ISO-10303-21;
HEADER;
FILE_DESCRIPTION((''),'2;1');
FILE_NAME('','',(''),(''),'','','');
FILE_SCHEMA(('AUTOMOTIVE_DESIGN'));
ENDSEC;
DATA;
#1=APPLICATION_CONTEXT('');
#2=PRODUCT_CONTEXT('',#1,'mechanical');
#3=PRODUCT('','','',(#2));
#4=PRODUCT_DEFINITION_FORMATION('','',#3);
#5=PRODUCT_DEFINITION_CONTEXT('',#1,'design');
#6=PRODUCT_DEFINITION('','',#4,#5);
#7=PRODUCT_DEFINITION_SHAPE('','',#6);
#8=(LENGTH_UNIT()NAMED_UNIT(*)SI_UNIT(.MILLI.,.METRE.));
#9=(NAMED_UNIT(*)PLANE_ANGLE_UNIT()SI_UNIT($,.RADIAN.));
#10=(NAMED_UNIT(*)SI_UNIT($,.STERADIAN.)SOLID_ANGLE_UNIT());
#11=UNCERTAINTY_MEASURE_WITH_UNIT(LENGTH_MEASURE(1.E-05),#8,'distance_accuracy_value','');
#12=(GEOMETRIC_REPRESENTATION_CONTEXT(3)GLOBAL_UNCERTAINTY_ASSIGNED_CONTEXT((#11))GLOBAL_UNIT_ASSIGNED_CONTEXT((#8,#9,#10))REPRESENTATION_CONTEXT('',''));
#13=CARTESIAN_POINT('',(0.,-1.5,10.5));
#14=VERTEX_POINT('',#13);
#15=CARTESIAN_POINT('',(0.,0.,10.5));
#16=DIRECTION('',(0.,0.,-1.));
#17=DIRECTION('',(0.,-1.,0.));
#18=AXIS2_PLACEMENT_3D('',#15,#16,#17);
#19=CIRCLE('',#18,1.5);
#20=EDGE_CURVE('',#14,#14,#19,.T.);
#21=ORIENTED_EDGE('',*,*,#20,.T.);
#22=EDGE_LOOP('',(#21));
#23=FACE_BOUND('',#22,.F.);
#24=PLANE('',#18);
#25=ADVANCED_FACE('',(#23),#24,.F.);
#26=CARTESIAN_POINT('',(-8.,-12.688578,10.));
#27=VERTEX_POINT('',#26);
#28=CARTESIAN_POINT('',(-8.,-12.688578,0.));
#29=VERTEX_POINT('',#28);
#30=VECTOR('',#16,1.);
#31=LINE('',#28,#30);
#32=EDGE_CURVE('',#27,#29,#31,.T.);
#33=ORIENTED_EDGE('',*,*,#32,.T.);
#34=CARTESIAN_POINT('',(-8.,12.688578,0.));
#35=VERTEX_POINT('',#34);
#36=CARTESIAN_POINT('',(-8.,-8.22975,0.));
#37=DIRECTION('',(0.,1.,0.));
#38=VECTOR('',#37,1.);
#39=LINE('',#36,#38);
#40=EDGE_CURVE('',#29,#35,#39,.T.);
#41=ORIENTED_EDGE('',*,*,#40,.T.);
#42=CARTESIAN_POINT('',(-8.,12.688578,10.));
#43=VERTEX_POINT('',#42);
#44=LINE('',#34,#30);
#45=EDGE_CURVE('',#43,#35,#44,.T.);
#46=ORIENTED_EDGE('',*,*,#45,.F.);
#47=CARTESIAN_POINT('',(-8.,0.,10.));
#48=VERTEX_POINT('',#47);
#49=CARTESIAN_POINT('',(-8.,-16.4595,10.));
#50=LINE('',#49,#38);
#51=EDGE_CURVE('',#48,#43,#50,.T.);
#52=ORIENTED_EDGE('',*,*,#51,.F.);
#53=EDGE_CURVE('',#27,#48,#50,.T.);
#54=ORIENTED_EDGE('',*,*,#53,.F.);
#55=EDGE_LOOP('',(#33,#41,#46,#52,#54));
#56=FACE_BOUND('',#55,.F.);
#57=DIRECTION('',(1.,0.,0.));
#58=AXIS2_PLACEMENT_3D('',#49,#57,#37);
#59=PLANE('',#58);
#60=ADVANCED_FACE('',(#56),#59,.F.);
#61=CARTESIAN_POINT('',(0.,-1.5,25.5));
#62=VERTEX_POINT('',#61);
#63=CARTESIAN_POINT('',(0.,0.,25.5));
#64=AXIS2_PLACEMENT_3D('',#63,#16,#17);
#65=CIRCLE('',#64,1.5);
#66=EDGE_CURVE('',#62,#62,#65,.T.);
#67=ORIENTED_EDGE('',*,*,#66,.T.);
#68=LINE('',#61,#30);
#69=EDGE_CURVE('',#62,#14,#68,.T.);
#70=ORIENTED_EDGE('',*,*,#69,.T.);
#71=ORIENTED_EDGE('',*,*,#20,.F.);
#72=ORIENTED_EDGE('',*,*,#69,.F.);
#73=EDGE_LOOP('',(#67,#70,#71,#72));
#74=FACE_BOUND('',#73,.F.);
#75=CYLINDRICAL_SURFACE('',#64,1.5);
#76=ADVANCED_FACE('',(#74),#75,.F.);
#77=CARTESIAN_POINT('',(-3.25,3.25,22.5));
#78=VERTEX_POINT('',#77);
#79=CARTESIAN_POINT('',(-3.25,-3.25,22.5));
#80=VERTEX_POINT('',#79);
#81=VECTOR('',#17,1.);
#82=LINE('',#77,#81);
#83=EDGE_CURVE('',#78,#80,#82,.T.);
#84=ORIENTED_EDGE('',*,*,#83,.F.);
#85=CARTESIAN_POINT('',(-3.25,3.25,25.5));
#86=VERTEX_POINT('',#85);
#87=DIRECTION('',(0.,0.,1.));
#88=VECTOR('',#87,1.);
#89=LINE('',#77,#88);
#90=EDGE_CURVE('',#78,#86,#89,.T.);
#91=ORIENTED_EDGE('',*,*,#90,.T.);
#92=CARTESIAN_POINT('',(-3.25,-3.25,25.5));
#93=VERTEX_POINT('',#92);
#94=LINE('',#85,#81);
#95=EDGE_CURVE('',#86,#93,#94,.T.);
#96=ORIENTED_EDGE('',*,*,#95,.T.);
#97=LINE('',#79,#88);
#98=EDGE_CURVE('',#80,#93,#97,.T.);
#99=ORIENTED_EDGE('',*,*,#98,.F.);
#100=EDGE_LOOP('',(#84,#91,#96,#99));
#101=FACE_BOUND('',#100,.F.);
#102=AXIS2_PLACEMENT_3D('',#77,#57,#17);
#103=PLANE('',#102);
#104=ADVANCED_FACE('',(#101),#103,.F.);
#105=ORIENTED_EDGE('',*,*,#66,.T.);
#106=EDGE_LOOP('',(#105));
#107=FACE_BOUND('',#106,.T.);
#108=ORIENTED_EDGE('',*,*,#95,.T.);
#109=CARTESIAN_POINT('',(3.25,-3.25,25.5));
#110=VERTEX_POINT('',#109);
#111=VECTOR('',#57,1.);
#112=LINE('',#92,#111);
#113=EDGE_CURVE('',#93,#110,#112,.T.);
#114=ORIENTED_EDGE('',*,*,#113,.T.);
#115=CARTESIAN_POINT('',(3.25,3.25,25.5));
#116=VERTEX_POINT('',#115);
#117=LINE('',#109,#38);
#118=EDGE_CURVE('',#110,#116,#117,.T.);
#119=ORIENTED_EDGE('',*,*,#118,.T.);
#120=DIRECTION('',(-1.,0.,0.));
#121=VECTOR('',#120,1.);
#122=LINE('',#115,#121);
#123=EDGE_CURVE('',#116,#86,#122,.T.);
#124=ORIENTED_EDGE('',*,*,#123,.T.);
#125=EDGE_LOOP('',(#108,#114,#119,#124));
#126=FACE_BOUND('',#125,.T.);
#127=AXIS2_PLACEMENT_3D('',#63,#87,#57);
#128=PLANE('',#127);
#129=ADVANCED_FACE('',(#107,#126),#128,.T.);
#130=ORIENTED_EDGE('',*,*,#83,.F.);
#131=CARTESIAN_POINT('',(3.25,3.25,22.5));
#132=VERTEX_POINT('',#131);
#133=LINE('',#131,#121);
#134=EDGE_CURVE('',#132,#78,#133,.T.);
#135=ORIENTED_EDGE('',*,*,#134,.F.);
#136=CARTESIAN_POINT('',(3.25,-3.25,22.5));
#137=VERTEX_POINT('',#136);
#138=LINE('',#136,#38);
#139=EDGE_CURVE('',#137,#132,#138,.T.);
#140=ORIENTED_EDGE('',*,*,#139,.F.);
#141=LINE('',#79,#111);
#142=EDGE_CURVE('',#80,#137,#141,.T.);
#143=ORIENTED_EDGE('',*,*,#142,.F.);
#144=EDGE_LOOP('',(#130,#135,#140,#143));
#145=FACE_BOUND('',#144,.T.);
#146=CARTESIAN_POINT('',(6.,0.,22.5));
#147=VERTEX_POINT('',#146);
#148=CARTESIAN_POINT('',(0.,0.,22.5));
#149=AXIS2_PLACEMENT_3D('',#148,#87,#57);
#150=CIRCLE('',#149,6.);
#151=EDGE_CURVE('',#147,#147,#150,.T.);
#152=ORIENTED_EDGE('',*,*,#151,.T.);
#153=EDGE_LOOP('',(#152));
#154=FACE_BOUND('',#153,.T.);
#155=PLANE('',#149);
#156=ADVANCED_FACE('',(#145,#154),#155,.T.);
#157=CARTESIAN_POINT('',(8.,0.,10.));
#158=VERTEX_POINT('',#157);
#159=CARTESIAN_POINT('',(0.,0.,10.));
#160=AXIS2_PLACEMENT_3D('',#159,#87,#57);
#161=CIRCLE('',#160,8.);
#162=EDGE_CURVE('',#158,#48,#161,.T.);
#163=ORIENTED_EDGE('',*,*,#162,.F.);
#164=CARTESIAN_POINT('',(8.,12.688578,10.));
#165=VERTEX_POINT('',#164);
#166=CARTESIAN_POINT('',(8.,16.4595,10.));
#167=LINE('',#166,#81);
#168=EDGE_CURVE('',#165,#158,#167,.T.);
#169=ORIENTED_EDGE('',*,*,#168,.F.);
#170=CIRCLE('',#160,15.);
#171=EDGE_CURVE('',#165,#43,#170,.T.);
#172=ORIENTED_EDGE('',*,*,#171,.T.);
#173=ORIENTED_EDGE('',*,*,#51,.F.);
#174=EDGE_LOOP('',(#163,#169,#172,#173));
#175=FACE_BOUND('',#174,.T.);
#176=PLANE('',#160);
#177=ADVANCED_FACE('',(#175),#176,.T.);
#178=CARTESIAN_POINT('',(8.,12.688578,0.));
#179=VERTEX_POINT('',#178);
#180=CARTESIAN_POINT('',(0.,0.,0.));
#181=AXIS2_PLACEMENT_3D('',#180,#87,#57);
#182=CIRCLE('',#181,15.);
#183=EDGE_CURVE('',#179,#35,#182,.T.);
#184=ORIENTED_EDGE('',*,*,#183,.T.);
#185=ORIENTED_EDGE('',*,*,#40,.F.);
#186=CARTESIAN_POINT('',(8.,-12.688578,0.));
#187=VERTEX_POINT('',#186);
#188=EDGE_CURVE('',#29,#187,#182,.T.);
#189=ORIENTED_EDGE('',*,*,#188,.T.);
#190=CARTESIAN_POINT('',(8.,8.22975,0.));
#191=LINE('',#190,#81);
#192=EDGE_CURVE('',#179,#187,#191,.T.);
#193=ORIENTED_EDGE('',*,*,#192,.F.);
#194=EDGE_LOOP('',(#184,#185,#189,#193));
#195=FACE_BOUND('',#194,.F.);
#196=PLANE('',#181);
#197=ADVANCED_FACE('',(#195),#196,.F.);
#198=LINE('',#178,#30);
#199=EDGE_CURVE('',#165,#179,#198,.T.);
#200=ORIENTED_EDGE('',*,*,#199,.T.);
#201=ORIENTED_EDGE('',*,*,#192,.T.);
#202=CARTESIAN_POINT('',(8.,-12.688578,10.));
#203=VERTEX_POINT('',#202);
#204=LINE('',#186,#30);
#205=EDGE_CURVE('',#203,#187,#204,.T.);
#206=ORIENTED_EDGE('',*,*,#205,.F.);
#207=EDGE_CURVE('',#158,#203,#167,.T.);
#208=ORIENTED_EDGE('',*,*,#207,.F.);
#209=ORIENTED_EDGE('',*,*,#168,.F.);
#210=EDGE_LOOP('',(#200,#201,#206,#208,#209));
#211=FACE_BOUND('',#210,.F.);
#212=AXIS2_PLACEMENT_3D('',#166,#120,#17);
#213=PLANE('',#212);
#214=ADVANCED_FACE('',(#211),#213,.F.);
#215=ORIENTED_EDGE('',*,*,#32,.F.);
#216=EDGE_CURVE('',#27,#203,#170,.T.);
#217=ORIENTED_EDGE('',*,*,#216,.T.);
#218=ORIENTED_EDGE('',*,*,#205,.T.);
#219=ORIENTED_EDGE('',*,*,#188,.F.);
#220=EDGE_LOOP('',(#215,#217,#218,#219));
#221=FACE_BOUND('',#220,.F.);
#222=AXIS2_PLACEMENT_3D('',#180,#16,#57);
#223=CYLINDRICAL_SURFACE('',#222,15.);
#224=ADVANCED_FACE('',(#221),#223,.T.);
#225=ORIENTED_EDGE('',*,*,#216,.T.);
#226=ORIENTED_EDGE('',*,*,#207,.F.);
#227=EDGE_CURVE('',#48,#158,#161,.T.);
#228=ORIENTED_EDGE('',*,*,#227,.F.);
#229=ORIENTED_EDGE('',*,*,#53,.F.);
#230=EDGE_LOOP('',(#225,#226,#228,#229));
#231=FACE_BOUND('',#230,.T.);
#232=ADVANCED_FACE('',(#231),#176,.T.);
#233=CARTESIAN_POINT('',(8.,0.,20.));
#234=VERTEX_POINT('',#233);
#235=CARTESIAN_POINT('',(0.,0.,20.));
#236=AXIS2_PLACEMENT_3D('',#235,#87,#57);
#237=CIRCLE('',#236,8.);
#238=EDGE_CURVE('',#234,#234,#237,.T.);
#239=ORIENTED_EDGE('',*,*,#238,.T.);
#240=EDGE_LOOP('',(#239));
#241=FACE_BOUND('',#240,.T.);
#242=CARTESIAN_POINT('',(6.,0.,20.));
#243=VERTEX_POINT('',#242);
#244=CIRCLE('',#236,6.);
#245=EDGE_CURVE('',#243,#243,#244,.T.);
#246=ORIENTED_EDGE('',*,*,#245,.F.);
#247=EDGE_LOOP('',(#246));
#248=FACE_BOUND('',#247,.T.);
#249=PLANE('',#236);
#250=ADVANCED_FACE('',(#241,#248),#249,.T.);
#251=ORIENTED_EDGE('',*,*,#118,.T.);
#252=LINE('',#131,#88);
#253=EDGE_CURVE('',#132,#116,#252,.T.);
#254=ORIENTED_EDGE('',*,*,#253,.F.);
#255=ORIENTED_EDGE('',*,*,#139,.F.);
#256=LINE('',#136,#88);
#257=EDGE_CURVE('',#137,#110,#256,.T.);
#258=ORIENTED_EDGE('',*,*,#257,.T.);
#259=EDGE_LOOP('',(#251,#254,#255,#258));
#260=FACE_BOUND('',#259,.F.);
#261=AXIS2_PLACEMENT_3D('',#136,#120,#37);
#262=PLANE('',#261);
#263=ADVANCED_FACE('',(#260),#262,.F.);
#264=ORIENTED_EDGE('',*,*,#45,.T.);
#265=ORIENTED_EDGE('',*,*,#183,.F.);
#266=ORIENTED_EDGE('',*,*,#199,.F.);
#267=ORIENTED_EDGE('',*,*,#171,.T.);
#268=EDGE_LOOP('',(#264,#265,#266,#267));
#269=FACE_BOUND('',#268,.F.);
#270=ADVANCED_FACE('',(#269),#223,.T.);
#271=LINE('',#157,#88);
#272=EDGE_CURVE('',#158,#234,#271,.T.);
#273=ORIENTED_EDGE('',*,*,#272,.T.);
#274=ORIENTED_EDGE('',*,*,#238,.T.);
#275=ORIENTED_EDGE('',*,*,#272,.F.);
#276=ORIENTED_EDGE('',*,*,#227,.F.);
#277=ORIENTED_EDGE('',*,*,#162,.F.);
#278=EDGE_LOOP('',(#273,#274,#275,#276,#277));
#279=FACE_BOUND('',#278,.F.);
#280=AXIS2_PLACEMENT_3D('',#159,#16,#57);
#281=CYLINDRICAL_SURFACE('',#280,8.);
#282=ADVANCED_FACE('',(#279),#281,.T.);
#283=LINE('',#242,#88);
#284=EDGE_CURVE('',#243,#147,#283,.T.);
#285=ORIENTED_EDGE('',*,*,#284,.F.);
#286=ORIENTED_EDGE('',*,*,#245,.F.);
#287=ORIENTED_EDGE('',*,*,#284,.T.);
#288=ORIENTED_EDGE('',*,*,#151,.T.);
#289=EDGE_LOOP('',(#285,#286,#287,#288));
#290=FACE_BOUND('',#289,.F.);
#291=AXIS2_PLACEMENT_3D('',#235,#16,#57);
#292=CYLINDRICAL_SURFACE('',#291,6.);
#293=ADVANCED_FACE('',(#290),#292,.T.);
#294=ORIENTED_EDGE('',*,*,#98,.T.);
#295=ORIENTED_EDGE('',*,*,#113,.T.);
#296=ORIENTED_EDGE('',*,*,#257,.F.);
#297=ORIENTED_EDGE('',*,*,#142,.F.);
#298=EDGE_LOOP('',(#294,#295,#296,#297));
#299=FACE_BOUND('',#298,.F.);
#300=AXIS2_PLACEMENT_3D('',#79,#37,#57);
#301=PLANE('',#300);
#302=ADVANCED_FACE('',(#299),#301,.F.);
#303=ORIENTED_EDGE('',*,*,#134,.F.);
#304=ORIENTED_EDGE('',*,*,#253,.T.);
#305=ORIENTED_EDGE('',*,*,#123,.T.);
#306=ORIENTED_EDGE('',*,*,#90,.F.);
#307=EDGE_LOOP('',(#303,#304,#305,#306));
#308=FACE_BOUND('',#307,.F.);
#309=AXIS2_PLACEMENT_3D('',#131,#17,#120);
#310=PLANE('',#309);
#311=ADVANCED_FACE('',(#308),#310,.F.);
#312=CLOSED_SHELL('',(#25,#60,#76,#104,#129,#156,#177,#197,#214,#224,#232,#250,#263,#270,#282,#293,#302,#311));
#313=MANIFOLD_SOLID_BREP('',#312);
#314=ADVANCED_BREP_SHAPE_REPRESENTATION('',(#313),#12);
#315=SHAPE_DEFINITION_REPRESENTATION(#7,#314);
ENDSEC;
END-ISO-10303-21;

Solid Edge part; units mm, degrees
sketch "Sketch1" plane through (0, 0, 0) normal (0, 0, 1) x (1, 0, 0)
  circle A0 centre (0, 0) radius 15
extrude "Protrusion1" add sketch "Sketch1" along normal blind 10
sketch "Sketch2" plane through (0, 0, 10) normal (0, 0, 1) x (1, 0, 0)
  circle A0 centre (0, 0) radius 8
  dimension "D1" = 16
extrude "Extrusionsausprägung_2" add sketch "Sketch2" along normal blind 10
sketch "Sketch3" plane through (0, 0, 20) normal (0, 0, 1) x (1, 0, 0)
  circle A0 centre (0, 0) radius 6
  dimension "D1" = 12
extrude "Extrusionsausprägung_3" add sketch "Sketch3" along normal blind 2.5
sketch "Sketch4" plane through (0, 0, 22.5) normal (0, 0, 1) x (1, 0, 0)
  line L0 (-3.25, -3.25) -> (3.25, -3.25)
  line L1 (3.25, -3.25) -> (3.25, 3.25)
  line L2 (3.25, 3.25) -> (-3.25, 3.25)
  line L3 (-3.25, 3.25) -> (-3.25, -3.25)
extrude "Extrusionsausprägung_4" add sketch "Sketch4" along normal blind 3
sketch "Sketch5" plane through (0, 0, 10) normal (0, 0, 1) x (1, 0, 0)
  line L0 (-16.4348, 18.9803) -> (16.4348, 18.9803)
  line L1 (16.4348, 18.9803) -> (16.4348, -18.9803)
  line L2 (16.4348, -18.9803) -> (-16.4348, -18.9803)
  line L3 (-16.4348, -18.9803) -> (-16.4348, 18.9803)
  line L4 (-8, 16.4595) -> (8, 16.4595)
  line L5 (8, 16.4595) -> (8, -16.4595)
  line L6 (8, -16.4595) -> (-8, -16.4595)
  line L7 (-8, -16.4595) -> (-8, 16.4595)
  dimension "D1" = 16
extrude "Cutout1" cut sketch "Sketch5" against normal through all
hole "Bohrung_1" at (0, 0, 25.5) direction (0, 0, -1) diameter 3 depth 15
